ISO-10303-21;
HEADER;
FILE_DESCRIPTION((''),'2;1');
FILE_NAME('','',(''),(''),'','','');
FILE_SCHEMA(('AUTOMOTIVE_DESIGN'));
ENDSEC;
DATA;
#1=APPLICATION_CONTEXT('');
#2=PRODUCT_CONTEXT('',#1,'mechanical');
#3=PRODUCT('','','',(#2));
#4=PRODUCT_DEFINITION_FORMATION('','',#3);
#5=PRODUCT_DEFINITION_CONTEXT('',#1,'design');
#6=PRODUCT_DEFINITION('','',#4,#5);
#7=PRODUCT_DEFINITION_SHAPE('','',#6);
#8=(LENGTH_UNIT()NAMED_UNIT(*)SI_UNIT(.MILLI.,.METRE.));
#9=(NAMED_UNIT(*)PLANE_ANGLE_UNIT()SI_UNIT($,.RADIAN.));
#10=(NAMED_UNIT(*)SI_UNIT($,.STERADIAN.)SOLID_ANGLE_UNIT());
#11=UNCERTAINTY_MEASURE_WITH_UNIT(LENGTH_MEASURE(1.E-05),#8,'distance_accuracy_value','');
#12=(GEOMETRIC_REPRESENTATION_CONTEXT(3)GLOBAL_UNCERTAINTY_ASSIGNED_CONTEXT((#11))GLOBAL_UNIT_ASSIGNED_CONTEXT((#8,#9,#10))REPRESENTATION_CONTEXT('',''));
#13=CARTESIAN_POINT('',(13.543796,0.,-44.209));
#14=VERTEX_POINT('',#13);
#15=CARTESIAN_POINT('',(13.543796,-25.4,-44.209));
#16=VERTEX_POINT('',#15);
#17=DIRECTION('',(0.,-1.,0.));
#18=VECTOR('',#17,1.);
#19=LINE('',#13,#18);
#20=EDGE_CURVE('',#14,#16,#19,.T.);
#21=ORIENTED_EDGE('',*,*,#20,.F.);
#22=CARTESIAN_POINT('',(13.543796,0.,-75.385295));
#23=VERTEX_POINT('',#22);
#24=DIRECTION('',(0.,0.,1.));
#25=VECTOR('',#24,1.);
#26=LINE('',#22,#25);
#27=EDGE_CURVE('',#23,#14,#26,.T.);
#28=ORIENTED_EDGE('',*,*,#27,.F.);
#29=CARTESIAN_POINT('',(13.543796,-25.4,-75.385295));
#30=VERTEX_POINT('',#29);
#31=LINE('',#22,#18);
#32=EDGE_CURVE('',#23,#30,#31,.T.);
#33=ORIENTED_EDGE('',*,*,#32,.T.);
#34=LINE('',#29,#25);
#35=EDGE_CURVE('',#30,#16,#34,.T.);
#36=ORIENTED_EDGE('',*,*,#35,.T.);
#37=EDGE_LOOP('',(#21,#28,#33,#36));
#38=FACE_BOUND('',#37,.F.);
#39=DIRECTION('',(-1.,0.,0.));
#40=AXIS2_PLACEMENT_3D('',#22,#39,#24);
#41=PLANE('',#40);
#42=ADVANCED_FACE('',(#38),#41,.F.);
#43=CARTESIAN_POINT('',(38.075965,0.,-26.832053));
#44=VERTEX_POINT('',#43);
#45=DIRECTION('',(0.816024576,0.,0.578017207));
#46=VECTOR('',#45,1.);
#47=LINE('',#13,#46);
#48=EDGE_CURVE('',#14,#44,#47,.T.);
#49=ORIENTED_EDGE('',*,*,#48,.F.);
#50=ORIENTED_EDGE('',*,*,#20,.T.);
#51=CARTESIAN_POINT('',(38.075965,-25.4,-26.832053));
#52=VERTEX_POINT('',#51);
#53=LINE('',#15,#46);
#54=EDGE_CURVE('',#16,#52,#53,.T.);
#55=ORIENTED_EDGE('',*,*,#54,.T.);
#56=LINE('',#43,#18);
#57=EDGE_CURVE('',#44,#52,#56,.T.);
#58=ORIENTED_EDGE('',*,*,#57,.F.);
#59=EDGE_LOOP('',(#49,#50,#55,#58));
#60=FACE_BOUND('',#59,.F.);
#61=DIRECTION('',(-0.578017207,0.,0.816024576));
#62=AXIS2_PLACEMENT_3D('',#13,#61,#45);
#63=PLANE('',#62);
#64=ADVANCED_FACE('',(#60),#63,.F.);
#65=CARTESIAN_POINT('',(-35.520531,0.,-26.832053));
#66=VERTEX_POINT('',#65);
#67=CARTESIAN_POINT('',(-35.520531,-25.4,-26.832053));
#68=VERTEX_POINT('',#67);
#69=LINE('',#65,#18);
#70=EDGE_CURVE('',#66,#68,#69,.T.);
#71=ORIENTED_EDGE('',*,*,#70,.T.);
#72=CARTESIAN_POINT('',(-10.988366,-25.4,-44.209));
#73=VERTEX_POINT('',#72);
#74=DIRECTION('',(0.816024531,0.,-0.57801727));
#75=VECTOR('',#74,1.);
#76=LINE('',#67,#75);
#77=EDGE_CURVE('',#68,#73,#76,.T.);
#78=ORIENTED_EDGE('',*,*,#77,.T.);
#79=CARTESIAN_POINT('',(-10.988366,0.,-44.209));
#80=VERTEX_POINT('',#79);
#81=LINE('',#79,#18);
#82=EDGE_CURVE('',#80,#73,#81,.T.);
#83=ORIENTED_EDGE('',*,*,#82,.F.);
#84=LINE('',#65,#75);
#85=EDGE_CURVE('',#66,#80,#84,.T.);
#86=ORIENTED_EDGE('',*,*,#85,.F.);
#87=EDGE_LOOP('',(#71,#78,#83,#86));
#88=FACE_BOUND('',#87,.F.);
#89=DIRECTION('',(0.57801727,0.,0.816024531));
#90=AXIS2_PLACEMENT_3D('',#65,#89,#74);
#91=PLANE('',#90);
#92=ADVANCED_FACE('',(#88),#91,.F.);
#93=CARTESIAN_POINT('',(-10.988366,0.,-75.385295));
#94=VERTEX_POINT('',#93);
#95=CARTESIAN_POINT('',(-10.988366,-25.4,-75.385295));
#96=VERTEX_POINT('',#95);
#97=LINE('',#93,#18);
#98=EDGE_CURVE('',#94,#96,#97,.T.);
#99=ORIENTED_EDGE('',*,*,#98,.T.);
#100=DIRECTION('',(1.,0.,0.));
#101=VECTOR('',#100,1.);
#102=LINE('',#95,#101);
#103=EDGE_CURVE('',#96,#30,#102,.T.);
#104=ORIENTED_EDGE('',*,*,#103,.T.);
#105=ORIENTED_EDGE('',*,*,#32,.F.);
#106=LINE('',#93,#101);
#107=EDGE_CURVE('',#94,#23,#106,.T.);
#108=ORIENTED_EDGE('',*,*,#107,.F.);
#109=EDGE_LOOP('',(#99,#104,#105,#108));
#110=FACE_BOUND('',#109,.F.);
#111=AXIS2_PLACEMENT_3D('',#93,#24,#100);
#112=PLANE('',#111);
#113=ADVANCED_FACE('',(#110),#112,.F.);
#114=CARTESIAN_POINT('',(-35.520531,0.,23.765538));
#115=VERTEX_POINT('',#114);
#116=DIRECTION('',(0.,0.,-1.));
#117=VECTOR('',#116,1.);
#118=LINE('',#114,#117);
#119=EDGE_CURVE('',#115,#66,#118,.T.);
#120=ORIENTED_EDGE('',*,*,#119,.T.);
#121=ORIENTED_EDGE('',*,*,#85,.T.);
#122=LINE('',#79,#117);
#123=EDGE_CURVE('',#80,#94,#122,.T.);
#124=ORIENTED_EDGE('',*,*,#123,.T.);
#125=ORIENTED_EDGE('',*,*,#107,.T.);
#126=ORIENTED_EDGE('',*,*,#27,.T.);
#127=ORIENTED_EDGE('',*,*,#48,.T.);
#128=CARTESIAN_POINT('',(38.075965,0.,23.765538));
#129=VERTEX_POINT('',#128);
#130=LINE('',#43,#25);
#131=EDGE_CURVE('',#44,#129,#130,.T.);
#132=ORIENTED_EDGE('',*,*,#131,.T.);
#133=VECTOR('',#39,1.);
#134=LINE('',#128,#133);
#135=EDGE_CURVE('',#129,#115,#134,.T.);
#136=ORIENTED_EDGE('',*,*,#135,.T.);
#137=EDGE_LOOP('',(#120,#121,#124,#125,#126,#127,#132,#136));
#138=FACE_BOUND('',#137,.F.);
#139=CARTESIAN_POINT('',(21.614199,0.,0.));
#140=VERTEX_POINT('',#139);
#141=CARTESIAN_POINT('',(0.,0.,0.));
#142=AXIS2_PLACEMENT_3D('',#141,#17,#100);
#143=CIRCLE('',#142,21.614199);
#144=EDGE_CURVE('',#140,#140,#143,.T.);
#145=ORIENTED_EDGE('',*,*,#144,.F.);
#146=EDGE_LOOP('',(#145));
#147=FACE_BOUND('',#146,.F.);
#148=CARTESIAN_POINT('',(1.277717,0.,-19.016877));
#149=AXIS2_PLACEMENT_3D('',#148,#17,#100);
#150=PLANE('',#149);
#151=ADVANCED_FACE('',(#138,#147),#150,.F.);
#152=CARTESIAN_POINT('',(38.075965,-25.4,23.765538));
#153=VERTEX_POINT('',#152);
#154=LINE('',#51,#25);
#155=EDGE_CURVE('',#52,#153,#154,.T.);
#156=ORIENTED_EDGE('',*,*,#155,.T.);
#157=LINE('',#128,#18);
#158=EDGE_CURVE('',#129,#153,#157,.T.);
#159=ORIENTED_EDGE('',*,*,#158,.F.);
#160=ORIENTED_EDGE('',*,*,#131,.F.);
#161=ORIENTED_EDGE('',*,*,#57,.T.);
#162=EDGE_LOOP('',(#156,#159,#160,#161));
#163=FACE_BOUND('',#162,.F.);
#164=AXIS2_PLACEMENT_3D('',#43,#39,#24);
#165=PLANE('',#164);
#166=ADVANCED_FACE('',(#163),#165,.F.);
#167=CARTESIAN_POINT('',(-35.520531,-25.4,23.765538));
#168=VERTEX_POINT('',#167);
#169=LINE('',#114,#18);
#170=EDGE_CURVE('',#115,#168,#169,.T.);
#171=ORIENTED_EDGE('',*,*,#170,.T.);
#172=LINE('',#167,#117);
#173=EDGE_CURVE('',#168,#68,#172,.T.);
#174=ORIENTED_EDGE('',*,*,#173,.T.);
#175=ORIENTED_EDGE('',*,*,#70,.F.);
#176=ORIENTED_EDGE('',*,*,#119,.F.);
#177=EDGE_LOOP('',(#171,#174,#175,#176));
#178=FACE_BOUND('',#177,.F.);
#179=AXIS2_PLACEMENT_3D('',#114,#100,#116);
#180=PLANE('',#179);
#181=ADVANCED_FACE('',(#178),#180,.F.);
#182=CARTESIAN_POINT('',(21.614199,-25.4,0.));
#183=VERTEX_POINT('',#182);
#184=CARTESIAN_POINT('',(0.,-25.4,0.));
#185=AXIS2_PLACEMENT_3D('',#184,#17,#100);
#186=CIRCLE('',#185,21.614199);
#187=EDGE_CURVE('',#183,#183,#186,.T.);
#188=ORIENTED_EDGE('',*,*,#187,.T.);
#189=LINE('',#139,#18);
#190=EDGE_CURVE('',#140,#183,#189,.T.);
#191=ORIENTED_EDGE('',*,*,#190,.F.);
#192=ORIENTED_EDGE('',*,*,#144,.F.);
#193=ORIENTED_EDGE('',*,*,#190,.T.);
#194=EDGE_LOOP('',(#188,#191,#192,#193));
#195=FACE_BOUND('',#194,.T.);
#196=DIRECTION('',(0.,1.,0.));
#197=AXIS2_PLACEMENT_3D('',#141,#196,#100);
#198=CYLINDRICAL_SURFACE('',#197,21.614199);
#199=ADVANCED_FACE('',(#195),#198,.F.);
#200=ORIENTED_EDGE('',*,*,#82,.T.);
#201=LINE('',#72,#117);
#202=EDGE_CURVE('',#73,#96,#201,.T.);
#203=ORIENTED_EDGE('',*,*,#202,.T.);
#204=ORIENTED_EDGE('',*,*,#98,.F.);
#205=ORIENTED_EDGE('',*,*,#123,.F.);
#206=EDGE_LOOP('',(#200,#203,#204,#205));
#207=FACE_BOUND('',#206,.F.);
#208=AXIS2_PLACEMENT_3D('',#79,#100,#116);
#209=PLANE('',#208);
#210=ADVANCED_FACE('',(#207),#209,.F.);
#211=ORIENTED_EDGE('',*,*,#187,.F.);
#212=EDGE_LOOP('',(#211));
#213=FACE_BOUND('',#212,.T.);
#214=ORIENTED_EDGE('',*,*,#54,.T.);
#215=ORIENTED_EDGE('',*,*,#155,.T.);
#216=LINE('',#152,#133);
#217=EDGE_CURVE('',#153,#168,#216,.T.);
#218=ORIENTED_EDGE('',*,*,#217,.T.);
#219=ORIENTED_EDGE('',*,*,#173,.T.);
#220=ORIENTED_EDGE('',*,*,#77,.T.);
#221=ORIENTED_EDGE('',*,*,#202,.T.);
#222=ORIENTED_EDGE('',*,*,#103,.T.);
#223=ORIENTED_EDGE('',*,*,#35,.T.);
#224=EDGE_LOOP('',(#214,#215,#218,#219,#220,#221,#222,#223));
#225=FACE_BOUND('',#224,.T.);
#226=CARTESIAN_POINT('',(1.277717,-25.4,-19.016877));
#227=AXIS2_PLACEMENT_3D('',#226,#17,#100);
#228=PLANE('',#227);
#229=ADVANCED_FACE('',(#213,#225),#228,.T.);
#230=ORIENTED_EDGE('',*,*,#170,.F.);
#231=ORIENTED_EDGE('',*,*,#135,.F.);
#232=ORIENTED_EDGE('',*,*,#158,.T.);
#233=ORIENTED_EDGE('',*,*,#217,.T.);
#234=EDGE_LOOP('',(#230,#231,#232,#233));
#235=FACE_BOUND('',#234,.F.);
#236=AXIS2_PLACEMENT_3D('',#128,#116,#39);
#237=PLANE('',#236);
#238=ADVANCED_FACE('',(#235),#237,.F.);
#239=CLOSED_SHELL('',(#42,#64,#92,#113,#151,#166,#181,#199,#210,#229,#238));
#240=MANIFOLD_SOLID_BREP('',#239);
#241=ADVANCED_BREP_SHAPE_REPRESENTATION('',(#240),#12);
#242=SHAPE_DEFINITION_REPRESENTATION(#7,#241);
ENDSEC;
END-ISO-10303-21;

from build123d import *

# Parameters (mm, degrees)
F0_R     = 21.614199
F1_DEPTH = 25.4


with BuildPart() as f1:
    # F0 (on Front) → F1 (new body)
    with BuildSketch(Plane.XZ):
        Polygon((-35.520531, 23.765538), (-35.520531, 0), (-35.520531, -26.832053), (-10.988366, -44.209), (-10.988366, -75.385295), (13.543796, -75.385295), (13.543796, -44.209), (38.075965, -26.832053), (38.075965, 0), (38.075965, 23.765538), align=None)
        Circle(F0_R, mode=Mode.SUBTRACT)
    extrude(amount=F1_DEPTH)


solid = f1.part
